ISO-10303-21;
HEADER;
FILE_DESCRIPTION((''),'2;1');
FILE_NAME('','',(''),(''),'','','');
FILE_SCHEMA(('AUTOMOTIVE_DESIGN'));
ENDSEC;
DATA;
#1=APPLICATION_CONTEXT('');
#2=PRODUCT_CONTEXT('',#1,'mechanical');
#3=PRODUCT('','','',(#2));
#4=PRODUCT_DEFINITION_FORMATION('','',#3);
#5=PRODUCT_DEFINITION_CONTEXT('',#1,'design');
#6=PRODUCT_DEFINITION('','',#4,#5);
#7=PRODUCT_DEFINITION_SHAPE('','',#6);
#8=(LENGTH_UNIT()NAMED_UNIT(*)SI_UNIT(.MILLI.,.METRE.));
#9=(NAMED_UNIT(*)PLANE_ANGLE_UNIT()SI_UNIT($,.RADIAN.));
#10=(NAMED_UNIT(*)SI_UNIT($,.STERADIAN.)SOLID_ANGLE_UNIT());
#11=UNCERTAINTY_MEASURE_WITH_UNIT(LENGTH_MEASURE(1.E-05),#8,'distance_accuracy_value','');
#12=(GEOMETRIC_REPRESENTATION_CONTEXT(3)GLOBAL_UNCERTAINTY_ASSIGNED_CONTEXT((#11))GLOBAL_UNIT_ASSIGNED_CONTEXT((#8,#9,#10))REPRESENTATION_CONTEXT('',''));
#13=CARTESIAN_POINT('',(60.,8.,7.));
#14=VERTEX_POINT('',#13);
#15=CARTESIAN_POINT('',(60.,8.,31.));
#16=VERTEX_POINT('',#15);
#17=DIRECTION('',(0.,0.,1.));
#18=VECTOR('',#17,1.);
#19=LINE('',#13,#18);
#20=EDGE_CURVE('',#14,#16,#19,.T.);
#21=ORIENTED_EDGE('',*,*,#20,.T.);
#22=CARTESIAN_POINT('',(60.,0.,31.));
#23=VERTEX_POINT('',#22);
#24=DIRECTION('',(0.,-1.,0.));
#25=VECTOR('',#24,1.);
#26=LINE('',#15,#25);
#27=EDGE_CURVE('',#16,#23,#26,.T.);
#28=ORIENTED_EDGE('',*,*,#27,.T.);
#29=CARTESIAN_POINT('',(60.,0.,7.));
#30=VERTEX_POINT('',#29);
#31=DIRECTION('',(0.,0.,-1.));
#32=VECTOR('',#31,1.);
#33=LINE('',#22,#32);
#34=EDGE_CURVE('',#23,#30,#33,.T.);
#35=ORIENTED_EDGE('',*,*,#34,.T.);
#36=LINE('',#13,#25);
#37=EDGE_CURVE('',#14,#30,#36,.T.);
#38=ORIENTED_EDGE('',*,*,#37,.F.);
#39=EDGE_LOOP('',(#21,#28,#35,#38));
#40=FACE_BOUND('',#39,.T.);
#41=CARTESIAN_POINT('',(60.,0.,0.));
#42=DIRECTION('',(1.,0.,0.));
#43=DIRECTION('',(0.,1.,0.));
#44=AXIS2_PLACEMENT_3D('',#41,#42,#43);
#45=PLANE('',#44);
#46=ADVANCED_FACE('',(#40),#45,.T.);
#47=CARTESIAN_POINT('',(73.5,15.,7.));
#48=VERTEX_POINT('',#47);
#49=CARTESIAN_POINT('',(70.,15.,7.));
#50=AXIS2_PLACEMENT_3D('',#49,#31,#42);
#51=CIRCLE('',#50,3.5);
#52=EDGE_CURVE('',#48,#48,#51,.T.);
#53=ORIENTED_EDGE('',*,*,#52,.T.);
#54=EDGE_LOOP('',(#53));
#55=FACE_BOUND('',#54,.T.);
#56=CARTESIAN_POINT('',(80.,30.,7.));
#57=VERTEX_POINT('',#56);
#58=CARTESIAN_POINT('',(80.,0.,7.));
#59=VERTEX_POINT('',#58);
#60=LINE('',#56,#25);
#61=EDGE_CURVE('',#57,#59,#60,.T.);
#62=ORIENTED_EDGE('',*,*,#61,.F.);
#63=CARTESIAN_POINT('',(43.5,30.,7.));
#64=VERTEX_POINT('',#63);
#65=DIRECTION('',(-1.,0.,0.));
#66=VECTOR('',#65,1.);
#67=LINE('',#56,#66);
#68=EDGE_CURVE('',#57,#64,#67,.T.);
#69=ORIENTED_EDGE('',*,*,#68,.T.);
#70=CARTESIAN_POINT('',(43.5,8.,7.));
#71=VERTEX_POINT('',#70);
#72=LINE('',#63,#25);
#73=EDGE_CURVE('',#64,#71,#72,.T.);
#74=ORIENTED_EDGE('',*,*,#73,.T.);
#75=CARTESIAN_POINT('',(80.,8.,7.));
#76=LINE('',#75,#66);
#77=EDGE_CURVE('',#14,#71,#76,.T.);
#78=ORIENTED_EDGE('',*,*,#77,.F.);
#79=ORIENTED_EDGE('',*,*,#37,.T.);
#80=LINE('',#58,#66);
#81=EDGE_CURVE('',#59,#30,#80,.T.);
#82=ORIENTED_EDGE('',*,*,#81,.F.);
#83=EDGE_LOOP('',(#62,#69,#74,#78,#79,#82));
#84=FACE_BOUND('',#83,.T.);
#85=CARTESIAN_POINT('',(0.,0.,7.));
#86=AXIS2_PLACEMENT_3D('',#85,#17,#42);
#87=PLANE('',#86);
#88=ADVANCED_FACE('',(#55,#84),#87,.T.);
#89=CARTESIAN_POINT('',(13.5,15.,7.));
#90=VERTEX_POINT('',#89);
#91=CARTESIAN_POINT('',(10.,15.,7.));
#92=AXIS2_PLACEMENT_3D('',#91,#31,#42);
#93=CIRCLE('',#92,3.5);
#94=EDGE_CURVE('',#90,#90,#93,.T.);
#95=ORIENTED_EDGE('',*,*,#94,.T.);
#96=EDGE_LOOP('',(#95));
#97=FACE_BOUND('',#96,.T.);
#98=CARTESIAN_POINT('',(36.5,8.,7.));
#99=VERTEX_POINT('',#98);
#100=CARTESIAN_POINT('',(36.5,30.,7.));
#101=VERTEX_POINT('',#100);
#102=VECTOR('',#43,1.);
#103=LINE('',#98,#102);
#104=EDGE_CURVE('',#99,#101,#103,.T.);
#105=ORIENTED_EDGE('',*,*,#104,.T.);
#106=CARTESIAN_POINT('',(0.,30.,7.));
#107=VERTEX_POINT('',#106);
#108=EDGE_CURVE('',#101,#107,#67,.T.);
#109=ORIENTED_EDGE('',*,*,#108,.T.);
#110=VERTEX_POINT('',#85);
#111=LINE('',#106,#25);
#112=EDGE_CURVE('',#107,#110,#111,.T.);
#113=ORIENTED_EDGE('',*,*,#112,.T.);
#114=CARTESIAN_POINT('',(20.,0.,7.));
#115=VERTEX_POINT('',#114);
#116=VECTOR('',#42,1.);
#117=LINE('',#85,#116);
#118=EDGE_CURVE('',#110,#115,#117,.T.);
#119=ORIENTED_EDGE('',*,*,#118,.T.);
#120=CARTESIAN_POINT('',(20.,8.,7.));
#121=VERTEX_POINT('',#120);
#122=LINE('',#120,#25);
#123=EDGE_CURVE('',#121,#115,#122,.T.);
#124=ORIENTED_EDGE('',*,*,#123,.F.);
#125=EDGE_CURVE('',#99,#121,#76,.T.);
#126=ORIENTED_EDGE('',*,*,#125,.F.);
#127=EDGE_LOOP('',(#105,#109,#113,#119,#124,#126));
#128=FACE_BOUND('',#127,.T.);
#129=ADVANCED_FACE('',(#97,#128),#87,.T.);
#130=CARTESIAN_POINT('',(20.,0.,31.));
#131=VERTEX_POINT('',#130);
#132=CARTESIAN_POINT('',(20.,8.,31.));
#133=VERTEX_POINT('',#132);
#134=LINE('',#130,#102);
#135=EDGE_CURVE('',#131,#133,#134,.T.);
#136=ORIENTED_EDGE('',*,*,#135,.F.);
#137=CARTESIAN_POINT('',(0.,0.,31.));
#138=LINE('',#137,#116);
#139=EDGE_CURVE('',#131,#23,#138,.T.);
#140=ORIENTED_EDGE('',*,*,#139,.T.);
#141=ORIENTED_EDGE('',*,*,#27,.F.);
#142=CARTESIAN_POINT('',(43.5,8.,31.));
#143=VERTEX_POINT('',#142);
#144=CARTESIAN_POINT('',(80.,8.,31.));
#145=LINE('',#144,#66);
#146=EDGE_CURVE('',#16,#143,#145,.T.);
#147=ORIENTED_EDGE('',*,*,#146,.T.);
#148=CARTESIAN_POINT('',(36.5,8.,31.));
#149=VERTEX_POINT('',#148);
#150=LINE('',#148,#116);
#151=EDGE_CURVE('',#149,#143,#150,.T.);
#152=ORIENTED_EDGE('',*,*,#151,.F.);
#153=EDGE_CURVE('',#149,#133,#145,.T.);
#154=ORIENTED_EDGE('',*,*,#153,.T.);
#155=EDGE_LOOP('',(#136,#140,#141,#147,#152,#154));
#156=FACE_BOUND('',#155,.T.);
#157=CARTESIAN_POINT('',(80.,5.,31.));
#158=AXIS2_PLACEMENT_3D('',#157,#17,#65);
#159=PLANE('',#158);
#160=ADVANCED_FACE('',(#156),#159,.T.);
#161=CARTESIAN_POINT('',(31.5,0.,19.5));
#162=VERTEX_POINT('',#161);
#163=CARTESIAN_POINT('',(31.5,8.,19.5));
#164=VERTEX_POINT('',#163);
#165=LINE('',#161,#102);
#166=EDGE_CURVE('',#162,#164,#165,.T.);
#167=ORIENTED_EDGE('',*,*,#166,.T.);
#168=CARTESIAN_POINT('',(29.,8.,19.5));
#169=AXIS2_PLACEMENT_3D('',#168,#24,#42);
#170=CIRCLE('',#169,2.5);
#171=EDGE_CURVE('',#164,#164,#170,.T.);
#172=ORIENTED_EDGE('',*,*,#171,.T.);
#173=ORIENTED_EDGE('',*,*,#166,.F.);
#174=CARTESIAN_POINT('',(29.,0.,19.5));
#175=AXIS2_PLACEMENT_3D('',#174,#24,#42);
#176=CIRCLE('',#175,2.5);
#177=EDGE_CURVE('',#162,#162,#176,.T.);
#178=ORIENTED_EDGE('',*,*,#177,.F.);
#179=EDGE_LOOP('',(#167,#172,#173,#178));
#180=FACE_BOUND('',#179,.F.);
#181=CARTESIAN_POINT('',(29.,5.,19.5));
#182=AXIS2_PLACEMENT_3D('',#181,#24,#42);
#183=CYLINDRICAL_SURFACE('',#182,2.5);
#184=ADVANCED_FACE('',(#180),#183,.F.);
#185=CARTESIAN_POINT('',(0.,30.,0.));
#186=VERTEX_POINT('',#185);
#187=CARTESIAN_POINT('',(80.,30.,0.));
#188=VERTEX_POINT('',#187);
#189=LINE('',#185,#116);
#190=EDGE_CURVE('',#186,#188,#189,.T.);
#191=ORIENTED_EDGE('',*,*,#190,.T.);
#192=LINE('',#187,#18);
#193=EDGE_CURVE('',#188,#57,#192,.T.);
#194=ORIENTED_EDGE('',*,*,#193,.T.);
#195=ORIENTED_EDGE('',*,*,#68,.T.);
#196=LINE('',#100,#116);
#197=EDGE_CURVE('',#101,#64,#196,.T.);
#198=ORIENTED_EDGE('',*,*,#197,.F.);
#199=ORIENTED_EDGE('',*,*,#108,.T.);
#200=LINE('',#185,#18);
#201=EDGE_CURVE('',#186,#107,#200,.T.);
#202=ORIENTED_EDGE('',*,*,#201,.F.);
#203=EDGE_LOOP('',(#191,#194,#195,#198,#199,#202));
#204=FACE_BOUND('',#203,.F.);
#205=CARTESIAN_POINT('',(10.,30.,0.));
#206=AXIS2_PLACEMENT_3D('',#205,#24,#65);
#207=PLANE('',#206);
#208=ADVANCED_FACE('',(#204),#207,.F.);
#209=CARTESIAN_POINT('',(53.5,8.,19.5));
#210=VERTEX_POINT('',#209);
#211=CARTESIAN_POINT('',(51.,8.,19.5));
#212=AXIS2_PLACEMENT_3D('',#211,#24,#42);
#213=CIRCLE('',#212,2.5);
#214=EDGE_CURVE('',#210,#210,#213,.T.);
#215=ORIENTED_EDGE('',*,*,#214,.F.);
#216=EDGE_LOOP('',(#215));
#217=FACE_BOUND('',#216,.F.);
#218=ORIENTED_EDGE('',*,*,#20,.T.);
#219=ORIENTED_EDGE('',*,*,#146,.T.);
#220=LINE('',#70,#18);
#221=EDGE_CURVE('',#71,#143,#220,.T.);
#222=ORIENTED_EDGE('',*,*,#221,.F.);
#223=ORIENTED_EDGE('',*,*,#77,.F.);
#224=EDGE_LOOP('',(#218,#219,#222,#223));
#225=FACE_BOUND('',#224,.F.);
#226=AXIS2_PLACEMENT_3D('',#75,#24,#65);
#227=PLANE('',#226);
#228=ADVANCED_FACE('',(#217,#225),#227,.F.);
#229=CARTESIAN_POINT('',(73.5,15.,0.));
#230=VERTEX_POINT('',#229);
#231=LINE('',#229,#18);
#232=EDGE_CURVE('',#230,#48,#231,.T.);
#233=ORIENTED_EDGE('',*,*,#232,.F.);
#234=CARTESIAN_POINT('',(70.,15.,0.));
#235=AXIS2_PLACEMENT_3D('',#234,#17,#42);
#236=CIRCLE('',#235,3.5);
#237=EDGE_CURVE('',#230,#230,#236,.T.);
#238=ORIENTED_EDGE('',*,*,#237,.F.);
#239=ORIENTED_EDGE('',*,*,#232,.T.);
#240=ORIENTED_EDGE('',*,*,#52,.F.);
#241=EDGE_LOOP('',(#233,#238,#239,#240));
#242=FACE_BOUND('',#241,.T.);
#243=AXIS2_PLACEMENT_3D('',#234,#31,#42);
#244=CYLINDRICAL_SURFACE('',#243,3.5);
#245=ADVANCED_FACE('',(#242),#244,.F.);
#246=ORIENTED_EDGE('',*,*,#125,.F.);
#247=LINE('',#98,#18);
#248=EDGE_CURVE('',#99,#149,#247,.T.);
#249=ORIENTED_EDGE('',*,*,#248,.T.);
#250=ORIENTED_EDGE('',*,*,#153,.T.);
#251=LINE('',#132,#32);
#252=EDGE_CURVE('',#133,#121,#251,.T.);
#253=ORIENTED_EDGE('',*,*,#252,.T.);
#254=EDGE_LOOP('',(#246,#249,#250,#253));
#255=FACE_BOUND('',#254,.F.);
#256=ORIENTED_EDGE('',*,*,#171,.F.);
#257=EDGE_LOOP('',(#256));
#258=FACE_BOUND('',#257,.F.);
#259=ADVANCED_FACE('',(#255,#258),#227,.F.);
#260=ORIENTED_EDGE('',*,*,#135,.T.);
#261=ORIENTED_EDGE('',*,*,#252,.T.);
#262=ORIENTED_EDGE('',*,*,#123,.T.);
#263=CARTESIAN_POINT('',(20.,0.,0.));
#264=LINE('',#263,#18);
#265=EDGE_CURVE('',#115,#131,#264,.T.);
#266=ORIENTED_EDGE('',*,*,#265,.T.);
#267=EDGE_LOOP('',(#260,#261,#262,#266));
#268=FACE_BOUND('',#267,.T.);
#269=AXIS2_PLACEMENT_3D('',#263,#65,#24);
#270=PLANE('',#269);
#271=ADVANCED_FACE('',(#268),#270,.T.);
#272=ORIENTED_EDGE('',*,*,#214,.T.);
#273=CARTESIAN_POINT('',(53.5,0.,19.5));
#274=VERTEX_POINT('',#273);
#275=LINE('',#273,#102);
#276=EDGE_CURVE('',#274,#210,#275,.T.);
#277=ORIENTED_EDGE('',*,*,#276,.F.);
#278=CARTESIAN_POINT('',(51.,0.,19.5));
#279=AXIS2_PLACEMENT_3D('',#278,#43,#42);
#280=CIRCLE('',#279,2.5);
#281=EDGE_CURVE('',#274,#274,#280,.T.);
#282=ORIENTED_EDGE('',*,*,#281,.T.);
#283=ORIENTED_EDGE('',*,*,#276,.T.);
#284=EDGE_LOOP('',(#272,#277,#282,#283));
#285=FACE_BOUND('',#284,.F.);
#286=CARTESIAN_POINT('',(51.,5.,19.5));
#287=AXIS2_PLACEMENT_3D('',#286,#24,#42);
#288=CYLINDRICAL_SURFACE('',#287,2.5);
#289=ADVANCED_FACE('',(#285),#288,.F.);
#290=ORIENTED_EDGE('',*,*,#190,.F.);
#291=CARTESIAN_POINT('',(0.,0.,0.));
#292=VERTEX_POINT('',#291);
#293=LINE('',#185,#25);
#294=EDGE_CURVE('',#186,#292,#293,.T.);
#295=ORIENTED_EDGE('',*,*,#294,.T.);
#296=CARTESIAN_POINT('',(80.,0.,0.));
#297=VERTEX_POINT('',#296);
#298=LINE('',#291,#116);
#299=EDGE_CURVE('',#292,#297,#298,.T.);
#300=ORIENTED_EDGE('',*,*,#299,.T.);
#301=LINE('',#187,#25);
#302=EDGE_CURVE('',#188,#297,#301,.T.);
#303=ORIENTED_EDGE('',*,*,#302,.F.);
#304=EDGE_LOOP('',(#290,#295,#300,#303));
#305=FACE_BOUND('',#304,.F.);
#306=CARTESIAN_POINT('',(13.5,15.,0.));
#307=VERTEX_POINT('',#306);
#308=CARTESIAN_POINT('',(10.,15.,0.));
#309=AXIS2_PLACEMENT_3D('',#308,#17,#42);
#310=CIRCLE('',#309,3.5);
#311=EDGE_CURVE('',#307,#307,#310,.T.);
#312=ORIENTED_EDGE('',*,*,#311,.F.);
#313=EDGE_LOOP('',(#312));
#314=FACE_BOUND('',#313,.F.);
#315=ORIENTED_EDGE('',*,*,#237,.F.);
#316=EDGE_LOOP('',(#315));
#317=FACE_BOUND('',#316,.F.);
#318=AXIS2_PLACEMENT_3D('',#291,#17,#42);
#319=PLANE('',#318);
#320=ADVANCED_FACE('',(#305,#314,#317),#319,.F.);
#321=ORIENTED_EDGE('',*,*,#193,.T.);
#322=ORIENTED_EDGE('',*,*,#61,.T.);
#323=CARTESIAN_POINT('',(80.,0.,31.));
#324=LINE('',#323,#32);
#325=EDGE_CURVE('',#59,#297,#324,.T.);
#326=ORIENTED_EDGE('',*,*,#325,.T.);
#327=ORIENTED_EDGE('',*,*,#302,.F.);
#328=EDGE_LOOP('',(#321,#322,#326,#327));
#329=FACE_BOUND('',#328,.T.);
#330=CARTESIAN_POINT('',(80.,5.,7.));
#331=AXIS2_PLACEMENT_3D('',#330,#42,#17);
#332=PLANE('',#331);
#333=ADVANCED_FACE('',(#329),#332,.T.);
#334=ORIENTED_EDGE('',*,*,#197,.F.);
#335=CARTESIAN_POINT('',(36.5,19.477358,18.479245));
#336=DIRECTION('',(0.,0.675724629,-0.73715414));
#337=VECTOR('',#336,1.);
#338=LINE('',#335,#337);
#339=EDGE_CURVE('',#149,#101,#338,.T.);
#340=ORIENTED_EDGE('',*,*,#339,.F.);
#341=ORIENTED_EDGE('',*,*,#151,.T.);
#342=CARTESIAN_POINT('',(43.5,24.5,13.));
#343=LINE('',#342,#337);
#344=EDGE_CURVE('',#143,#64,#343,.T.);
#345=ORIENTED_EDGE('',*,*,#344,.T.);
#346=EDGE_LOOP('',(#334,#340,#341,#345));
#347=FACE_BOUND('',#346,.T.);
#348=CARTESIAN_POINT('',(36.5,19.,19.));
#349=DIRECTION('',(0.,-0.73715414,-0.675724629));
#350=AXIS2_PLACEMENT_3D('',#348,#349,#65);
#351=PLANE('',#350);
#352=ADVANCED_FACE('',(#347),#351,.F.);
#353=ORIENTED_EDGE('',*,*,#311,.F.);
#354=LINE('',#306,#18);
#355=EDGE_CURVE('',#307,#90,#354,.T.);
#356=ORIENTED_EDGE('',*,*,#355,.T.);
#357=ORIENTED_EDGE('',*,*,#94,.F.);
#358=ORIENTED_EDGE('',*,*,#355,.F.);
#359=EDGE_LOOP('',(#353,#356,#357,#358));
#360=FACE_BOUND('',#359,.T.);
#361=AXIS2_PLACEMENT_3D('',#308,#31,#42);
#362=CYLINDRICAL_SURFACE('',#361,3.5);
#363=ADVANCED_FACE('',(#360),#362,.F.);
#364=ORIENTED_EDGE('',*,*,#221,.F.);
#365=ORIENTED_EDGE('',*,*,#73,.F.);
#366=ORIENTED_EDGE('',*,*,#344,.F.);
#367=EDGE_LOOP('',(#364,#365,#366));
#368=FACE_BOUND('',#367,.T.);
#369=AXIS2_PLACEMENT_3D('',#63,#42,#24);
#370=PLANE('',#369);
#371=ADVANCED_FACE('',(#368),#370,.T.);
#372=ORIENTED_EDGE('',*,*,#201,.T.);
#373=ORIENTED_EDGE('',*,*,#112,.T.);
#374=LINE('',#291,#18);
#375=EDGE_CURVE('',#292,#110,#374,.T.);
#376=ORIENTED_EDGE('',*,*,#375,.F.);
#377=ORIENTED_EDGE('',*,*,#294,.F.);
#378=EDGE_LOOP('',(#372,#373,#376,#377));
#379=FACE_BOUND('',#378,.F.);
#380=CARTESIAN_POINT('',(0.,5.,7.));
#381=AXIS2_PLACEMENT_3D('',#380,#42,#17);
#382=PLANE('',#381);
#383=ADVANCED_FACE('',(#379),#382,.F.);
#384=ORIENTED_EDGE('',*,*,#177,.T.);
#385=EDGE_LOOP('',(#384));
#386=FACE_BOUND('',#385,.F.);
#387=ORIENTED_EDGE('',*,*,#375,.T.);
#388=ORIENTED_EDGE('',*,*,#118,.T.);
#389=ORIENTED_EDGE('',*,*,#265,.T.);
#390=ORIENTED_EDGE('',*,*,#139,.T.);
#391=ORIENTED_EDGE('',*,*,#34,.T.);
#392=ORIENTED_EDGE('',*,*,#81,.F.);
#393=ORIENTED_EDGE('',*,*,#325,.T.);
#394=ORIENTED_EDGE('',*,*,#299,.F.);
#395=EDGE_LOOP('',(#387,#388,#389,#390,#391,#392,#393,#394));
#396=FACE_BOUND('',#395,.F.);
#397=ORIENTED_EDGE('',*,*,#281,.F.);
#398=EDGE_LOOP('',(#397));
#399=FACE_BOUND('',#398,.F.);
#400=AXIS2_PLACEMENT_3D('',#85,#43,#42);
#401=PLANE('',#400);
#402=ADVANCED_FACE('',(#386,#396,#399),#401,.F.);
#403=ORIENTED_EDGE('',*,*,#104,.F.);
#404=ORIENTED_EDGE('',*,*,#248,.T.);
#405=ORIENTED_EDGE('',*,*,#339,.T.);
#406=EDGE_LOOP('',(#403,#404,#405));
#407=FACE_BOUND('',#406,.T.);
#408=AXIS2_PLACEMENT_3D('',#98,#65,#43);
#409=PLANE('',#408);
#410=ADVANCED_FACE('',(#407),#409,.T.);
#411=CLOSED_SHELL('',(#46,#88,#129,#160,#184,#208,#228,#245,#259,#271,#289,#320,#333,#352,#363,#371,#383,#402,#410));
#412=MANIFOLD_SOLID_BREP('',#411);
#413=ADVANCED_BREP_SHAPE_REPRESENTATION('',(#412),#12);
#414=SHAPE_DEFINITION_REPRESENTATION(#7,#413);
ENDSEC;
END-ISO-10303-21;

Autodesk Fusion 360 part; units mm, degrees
sketch "Skizze1" plane through (0, 0, 0) normal (0, 0, 1) x (1, 0, 0)
  line L0 (0, 0) -> (80, 0)
  line L1 (80, 0) -> (80, 30)
  line L2 (80, 30) -> (0, 30)
  line L3 (0, 30) -> (0, 0)
  line L4 (0, 30) -> (10, 30)
  line L5 (10, 30) -> (10, 15)
  line L6 (10, 15) -> (0, 15)
  line L7 (0, 15) -> (0, 30)
  line L8 (80, 30) -> (70, 30)
  line L9 (70, 30) -> (70, 15)
  line L10 (70, 15) -> (80, 15)
  line L11 (80, 15) -> (80, 30)
  circle A0 centre (10, 15) radius 3.5
  circle A1 centre (70, 15) radius 3.5
  dimension "d1" = 80
  dimension "d2" = 30
  dimension "d3" = 10
  dimension "d4" = 15
  dimension "d5" = 10
  dimension "d6" = 15
  dimension "d7" = 7
  dimension "d8" = 7
extrude "Extrusion1" add sketch "Skizze1" along normal blind 7 contours L0 L1 L2 L3 L5 L6 L9 L10 A0 A1 | L2 L3 L4 L5 L6 L7 A0 | L1 L2 L8 L9 L10 L11 A1
sketch "Skizze2" plane through (0, 0, 0) normal (0, 1, 0) x (1, 0, 0)
sketch "Skizze3" plane through (0, 0, 7) normal (0, 0, 1) x (-1, 0, 0)
  circle A0 centre (-70, -15) radius 3.5
  circle A1 centre (-10, -15) radius 3.5
  line L0 (0, -30) -> (0, 0)
  line L1 (0, 0) -> (-80, 0)
  line L2 (-80, 0) -> (-80, -30)
  line L3 (-80, -30) -> (0, -30)
  line L4 (0, 0) -> (-80, 0)
  line L5 (-80, 0) -> (-80, -5)
  line L6 (-80, -5) -> (0, -5)
  line L7 (0, -5) -> (0, 0)
  dimension "d11" = 5
extrude "Extrusion2" add sketch "Skizze3" along normal blind 24 contours L0 L1 L2 L4 L5 L6 L7
sketch "Skizze4" plane through (0, 0, 0) normal (0, -1, 0) x (1, 0, 0)
  line L0 (0, 0) -> (80, 0)
  line L1 (80, 0) -> (80, 31)
  line L2 (80, 31) -> (0, 31)
  line L3 (0, 31) -> (0, 0)
  line L4 (40, 31) -> (40, 19)
  line L5 (40, 0) -> (40, 19.5)
  line L6 (40, 19.5) -> (51, 19.5)
  circle A0 centre (51, 19.5) radius 2.5
  line L7 (40, 19.5) -> (29, 19.5)
  circle A1 centre (29, 19.5) radius 2.5
  dimension "d37" = 19.5
  dimension "d38" = 11
  dimension "d39" = 5
  dimension "d40" = 11
  dimension "d41" = 5
extrude "Extrusion10" cut sketch "Skizze4" against normal blind 9 contours A1 | A0
extrude "Extrusion11" add 1 faces at (8.8333, 5, 19.1667) along direction (0, 1, 0) blind 3
sketch "Skizze8" plane through (80, 0, 0) normal (1, 0, 0) x (0, 1, 0)
  line L0 (0, 0) -> (30, 0)
  line L1 (30, 0) -> (30, 7)
  line L2 (30, 7) -> (8, 7)
  line L3 (8, 7) -> (8, 31)
  line L4 (8, 31) -> (0, 31)
  line L5 (0, 31) -> (0, 0)
  line L6 (0, 31) -> (8, 31)
  line L7 (8, 31) -> (8, 7)
  line L8 (8, 7) -> (0, 7)
  line L9 (0, 7) -> (0, 31)
extrude "Extrusion12" cut sketch "Skizze8" against normal blind 20 contours L3 L4 L5 L6 L7 L8 L9
sketch "Skizze9" plane through (0, 0, 0) normal (-1, 0, 0) x (0, -1, 0)
  line L0 (-30, 0) -> (0, 0)
  line L1 (0, 0) -> (0, 31)
  line L2 (0, 31) -> (-8, 31)
  line L3 (-8, 31) -> (-8, 7)
  line L4 (-8, 7) -> (-30, 7)
  line L5 (-30, 7) -> (-30, 0)
  line L6 (0, 31) -> (-8, 31)
  line L7 (-8, 31) -> (-8, 7)
  line L8 (-8, 7) -> (0, 7)
  line L9 (0, 7) -> (0, 31)
extrude "Extrusion13" cut sketch "Skizze9" against normal blind 20 contours L1 L2 L3 L6 L7 L8 L9
sketch "Skizze10" plane through (0, 0, 7) normal (0, 0, 1) x (-1, 0, 0)
  circle A0 centre (-10, -15) radius 3.5
  circle A1 centre (-70, -15) radius 3.5
  line L0 (-20, -8) -> (-60, -8)
  line L1 (-60, -8) -> (-60, 0)
  line L2 (-60, 0) -> (-80, 0)
  line L3 (-80, 0) -> (-80, -30)
  line L4 (-80, -30) -> (0, -30)
  line L5 (0, -30) -> (0, 0)
  line L6 (0, 0) -> (-20, 0)
  line L7 (-20, 0) -> (-20, -8)
  line L8 (-40, -30) -> (-36.5, -30)
  line L9 (-36.5, -30) -> (-43.5, -30)
  line L10 (-43.5, -30) -> (-43.5, -8)
  line L11 (-43.5, -8) -> (-36.5, -8)
  line L12 (-36.5, -8) -> (-36.5, -30)
  dimension "d52" = 3.5
  dimension "d53" = 7
extrude "Extrusion14" add sketch "Skizze10" along normal blind 24 contours L0 L4 L8 L9 L10 L11 L12
chamfer "Fase3" distance 22 distance2 24 1 edges at (40, 30, 31) measured on face at (41.1667, 2.6667, 31)
